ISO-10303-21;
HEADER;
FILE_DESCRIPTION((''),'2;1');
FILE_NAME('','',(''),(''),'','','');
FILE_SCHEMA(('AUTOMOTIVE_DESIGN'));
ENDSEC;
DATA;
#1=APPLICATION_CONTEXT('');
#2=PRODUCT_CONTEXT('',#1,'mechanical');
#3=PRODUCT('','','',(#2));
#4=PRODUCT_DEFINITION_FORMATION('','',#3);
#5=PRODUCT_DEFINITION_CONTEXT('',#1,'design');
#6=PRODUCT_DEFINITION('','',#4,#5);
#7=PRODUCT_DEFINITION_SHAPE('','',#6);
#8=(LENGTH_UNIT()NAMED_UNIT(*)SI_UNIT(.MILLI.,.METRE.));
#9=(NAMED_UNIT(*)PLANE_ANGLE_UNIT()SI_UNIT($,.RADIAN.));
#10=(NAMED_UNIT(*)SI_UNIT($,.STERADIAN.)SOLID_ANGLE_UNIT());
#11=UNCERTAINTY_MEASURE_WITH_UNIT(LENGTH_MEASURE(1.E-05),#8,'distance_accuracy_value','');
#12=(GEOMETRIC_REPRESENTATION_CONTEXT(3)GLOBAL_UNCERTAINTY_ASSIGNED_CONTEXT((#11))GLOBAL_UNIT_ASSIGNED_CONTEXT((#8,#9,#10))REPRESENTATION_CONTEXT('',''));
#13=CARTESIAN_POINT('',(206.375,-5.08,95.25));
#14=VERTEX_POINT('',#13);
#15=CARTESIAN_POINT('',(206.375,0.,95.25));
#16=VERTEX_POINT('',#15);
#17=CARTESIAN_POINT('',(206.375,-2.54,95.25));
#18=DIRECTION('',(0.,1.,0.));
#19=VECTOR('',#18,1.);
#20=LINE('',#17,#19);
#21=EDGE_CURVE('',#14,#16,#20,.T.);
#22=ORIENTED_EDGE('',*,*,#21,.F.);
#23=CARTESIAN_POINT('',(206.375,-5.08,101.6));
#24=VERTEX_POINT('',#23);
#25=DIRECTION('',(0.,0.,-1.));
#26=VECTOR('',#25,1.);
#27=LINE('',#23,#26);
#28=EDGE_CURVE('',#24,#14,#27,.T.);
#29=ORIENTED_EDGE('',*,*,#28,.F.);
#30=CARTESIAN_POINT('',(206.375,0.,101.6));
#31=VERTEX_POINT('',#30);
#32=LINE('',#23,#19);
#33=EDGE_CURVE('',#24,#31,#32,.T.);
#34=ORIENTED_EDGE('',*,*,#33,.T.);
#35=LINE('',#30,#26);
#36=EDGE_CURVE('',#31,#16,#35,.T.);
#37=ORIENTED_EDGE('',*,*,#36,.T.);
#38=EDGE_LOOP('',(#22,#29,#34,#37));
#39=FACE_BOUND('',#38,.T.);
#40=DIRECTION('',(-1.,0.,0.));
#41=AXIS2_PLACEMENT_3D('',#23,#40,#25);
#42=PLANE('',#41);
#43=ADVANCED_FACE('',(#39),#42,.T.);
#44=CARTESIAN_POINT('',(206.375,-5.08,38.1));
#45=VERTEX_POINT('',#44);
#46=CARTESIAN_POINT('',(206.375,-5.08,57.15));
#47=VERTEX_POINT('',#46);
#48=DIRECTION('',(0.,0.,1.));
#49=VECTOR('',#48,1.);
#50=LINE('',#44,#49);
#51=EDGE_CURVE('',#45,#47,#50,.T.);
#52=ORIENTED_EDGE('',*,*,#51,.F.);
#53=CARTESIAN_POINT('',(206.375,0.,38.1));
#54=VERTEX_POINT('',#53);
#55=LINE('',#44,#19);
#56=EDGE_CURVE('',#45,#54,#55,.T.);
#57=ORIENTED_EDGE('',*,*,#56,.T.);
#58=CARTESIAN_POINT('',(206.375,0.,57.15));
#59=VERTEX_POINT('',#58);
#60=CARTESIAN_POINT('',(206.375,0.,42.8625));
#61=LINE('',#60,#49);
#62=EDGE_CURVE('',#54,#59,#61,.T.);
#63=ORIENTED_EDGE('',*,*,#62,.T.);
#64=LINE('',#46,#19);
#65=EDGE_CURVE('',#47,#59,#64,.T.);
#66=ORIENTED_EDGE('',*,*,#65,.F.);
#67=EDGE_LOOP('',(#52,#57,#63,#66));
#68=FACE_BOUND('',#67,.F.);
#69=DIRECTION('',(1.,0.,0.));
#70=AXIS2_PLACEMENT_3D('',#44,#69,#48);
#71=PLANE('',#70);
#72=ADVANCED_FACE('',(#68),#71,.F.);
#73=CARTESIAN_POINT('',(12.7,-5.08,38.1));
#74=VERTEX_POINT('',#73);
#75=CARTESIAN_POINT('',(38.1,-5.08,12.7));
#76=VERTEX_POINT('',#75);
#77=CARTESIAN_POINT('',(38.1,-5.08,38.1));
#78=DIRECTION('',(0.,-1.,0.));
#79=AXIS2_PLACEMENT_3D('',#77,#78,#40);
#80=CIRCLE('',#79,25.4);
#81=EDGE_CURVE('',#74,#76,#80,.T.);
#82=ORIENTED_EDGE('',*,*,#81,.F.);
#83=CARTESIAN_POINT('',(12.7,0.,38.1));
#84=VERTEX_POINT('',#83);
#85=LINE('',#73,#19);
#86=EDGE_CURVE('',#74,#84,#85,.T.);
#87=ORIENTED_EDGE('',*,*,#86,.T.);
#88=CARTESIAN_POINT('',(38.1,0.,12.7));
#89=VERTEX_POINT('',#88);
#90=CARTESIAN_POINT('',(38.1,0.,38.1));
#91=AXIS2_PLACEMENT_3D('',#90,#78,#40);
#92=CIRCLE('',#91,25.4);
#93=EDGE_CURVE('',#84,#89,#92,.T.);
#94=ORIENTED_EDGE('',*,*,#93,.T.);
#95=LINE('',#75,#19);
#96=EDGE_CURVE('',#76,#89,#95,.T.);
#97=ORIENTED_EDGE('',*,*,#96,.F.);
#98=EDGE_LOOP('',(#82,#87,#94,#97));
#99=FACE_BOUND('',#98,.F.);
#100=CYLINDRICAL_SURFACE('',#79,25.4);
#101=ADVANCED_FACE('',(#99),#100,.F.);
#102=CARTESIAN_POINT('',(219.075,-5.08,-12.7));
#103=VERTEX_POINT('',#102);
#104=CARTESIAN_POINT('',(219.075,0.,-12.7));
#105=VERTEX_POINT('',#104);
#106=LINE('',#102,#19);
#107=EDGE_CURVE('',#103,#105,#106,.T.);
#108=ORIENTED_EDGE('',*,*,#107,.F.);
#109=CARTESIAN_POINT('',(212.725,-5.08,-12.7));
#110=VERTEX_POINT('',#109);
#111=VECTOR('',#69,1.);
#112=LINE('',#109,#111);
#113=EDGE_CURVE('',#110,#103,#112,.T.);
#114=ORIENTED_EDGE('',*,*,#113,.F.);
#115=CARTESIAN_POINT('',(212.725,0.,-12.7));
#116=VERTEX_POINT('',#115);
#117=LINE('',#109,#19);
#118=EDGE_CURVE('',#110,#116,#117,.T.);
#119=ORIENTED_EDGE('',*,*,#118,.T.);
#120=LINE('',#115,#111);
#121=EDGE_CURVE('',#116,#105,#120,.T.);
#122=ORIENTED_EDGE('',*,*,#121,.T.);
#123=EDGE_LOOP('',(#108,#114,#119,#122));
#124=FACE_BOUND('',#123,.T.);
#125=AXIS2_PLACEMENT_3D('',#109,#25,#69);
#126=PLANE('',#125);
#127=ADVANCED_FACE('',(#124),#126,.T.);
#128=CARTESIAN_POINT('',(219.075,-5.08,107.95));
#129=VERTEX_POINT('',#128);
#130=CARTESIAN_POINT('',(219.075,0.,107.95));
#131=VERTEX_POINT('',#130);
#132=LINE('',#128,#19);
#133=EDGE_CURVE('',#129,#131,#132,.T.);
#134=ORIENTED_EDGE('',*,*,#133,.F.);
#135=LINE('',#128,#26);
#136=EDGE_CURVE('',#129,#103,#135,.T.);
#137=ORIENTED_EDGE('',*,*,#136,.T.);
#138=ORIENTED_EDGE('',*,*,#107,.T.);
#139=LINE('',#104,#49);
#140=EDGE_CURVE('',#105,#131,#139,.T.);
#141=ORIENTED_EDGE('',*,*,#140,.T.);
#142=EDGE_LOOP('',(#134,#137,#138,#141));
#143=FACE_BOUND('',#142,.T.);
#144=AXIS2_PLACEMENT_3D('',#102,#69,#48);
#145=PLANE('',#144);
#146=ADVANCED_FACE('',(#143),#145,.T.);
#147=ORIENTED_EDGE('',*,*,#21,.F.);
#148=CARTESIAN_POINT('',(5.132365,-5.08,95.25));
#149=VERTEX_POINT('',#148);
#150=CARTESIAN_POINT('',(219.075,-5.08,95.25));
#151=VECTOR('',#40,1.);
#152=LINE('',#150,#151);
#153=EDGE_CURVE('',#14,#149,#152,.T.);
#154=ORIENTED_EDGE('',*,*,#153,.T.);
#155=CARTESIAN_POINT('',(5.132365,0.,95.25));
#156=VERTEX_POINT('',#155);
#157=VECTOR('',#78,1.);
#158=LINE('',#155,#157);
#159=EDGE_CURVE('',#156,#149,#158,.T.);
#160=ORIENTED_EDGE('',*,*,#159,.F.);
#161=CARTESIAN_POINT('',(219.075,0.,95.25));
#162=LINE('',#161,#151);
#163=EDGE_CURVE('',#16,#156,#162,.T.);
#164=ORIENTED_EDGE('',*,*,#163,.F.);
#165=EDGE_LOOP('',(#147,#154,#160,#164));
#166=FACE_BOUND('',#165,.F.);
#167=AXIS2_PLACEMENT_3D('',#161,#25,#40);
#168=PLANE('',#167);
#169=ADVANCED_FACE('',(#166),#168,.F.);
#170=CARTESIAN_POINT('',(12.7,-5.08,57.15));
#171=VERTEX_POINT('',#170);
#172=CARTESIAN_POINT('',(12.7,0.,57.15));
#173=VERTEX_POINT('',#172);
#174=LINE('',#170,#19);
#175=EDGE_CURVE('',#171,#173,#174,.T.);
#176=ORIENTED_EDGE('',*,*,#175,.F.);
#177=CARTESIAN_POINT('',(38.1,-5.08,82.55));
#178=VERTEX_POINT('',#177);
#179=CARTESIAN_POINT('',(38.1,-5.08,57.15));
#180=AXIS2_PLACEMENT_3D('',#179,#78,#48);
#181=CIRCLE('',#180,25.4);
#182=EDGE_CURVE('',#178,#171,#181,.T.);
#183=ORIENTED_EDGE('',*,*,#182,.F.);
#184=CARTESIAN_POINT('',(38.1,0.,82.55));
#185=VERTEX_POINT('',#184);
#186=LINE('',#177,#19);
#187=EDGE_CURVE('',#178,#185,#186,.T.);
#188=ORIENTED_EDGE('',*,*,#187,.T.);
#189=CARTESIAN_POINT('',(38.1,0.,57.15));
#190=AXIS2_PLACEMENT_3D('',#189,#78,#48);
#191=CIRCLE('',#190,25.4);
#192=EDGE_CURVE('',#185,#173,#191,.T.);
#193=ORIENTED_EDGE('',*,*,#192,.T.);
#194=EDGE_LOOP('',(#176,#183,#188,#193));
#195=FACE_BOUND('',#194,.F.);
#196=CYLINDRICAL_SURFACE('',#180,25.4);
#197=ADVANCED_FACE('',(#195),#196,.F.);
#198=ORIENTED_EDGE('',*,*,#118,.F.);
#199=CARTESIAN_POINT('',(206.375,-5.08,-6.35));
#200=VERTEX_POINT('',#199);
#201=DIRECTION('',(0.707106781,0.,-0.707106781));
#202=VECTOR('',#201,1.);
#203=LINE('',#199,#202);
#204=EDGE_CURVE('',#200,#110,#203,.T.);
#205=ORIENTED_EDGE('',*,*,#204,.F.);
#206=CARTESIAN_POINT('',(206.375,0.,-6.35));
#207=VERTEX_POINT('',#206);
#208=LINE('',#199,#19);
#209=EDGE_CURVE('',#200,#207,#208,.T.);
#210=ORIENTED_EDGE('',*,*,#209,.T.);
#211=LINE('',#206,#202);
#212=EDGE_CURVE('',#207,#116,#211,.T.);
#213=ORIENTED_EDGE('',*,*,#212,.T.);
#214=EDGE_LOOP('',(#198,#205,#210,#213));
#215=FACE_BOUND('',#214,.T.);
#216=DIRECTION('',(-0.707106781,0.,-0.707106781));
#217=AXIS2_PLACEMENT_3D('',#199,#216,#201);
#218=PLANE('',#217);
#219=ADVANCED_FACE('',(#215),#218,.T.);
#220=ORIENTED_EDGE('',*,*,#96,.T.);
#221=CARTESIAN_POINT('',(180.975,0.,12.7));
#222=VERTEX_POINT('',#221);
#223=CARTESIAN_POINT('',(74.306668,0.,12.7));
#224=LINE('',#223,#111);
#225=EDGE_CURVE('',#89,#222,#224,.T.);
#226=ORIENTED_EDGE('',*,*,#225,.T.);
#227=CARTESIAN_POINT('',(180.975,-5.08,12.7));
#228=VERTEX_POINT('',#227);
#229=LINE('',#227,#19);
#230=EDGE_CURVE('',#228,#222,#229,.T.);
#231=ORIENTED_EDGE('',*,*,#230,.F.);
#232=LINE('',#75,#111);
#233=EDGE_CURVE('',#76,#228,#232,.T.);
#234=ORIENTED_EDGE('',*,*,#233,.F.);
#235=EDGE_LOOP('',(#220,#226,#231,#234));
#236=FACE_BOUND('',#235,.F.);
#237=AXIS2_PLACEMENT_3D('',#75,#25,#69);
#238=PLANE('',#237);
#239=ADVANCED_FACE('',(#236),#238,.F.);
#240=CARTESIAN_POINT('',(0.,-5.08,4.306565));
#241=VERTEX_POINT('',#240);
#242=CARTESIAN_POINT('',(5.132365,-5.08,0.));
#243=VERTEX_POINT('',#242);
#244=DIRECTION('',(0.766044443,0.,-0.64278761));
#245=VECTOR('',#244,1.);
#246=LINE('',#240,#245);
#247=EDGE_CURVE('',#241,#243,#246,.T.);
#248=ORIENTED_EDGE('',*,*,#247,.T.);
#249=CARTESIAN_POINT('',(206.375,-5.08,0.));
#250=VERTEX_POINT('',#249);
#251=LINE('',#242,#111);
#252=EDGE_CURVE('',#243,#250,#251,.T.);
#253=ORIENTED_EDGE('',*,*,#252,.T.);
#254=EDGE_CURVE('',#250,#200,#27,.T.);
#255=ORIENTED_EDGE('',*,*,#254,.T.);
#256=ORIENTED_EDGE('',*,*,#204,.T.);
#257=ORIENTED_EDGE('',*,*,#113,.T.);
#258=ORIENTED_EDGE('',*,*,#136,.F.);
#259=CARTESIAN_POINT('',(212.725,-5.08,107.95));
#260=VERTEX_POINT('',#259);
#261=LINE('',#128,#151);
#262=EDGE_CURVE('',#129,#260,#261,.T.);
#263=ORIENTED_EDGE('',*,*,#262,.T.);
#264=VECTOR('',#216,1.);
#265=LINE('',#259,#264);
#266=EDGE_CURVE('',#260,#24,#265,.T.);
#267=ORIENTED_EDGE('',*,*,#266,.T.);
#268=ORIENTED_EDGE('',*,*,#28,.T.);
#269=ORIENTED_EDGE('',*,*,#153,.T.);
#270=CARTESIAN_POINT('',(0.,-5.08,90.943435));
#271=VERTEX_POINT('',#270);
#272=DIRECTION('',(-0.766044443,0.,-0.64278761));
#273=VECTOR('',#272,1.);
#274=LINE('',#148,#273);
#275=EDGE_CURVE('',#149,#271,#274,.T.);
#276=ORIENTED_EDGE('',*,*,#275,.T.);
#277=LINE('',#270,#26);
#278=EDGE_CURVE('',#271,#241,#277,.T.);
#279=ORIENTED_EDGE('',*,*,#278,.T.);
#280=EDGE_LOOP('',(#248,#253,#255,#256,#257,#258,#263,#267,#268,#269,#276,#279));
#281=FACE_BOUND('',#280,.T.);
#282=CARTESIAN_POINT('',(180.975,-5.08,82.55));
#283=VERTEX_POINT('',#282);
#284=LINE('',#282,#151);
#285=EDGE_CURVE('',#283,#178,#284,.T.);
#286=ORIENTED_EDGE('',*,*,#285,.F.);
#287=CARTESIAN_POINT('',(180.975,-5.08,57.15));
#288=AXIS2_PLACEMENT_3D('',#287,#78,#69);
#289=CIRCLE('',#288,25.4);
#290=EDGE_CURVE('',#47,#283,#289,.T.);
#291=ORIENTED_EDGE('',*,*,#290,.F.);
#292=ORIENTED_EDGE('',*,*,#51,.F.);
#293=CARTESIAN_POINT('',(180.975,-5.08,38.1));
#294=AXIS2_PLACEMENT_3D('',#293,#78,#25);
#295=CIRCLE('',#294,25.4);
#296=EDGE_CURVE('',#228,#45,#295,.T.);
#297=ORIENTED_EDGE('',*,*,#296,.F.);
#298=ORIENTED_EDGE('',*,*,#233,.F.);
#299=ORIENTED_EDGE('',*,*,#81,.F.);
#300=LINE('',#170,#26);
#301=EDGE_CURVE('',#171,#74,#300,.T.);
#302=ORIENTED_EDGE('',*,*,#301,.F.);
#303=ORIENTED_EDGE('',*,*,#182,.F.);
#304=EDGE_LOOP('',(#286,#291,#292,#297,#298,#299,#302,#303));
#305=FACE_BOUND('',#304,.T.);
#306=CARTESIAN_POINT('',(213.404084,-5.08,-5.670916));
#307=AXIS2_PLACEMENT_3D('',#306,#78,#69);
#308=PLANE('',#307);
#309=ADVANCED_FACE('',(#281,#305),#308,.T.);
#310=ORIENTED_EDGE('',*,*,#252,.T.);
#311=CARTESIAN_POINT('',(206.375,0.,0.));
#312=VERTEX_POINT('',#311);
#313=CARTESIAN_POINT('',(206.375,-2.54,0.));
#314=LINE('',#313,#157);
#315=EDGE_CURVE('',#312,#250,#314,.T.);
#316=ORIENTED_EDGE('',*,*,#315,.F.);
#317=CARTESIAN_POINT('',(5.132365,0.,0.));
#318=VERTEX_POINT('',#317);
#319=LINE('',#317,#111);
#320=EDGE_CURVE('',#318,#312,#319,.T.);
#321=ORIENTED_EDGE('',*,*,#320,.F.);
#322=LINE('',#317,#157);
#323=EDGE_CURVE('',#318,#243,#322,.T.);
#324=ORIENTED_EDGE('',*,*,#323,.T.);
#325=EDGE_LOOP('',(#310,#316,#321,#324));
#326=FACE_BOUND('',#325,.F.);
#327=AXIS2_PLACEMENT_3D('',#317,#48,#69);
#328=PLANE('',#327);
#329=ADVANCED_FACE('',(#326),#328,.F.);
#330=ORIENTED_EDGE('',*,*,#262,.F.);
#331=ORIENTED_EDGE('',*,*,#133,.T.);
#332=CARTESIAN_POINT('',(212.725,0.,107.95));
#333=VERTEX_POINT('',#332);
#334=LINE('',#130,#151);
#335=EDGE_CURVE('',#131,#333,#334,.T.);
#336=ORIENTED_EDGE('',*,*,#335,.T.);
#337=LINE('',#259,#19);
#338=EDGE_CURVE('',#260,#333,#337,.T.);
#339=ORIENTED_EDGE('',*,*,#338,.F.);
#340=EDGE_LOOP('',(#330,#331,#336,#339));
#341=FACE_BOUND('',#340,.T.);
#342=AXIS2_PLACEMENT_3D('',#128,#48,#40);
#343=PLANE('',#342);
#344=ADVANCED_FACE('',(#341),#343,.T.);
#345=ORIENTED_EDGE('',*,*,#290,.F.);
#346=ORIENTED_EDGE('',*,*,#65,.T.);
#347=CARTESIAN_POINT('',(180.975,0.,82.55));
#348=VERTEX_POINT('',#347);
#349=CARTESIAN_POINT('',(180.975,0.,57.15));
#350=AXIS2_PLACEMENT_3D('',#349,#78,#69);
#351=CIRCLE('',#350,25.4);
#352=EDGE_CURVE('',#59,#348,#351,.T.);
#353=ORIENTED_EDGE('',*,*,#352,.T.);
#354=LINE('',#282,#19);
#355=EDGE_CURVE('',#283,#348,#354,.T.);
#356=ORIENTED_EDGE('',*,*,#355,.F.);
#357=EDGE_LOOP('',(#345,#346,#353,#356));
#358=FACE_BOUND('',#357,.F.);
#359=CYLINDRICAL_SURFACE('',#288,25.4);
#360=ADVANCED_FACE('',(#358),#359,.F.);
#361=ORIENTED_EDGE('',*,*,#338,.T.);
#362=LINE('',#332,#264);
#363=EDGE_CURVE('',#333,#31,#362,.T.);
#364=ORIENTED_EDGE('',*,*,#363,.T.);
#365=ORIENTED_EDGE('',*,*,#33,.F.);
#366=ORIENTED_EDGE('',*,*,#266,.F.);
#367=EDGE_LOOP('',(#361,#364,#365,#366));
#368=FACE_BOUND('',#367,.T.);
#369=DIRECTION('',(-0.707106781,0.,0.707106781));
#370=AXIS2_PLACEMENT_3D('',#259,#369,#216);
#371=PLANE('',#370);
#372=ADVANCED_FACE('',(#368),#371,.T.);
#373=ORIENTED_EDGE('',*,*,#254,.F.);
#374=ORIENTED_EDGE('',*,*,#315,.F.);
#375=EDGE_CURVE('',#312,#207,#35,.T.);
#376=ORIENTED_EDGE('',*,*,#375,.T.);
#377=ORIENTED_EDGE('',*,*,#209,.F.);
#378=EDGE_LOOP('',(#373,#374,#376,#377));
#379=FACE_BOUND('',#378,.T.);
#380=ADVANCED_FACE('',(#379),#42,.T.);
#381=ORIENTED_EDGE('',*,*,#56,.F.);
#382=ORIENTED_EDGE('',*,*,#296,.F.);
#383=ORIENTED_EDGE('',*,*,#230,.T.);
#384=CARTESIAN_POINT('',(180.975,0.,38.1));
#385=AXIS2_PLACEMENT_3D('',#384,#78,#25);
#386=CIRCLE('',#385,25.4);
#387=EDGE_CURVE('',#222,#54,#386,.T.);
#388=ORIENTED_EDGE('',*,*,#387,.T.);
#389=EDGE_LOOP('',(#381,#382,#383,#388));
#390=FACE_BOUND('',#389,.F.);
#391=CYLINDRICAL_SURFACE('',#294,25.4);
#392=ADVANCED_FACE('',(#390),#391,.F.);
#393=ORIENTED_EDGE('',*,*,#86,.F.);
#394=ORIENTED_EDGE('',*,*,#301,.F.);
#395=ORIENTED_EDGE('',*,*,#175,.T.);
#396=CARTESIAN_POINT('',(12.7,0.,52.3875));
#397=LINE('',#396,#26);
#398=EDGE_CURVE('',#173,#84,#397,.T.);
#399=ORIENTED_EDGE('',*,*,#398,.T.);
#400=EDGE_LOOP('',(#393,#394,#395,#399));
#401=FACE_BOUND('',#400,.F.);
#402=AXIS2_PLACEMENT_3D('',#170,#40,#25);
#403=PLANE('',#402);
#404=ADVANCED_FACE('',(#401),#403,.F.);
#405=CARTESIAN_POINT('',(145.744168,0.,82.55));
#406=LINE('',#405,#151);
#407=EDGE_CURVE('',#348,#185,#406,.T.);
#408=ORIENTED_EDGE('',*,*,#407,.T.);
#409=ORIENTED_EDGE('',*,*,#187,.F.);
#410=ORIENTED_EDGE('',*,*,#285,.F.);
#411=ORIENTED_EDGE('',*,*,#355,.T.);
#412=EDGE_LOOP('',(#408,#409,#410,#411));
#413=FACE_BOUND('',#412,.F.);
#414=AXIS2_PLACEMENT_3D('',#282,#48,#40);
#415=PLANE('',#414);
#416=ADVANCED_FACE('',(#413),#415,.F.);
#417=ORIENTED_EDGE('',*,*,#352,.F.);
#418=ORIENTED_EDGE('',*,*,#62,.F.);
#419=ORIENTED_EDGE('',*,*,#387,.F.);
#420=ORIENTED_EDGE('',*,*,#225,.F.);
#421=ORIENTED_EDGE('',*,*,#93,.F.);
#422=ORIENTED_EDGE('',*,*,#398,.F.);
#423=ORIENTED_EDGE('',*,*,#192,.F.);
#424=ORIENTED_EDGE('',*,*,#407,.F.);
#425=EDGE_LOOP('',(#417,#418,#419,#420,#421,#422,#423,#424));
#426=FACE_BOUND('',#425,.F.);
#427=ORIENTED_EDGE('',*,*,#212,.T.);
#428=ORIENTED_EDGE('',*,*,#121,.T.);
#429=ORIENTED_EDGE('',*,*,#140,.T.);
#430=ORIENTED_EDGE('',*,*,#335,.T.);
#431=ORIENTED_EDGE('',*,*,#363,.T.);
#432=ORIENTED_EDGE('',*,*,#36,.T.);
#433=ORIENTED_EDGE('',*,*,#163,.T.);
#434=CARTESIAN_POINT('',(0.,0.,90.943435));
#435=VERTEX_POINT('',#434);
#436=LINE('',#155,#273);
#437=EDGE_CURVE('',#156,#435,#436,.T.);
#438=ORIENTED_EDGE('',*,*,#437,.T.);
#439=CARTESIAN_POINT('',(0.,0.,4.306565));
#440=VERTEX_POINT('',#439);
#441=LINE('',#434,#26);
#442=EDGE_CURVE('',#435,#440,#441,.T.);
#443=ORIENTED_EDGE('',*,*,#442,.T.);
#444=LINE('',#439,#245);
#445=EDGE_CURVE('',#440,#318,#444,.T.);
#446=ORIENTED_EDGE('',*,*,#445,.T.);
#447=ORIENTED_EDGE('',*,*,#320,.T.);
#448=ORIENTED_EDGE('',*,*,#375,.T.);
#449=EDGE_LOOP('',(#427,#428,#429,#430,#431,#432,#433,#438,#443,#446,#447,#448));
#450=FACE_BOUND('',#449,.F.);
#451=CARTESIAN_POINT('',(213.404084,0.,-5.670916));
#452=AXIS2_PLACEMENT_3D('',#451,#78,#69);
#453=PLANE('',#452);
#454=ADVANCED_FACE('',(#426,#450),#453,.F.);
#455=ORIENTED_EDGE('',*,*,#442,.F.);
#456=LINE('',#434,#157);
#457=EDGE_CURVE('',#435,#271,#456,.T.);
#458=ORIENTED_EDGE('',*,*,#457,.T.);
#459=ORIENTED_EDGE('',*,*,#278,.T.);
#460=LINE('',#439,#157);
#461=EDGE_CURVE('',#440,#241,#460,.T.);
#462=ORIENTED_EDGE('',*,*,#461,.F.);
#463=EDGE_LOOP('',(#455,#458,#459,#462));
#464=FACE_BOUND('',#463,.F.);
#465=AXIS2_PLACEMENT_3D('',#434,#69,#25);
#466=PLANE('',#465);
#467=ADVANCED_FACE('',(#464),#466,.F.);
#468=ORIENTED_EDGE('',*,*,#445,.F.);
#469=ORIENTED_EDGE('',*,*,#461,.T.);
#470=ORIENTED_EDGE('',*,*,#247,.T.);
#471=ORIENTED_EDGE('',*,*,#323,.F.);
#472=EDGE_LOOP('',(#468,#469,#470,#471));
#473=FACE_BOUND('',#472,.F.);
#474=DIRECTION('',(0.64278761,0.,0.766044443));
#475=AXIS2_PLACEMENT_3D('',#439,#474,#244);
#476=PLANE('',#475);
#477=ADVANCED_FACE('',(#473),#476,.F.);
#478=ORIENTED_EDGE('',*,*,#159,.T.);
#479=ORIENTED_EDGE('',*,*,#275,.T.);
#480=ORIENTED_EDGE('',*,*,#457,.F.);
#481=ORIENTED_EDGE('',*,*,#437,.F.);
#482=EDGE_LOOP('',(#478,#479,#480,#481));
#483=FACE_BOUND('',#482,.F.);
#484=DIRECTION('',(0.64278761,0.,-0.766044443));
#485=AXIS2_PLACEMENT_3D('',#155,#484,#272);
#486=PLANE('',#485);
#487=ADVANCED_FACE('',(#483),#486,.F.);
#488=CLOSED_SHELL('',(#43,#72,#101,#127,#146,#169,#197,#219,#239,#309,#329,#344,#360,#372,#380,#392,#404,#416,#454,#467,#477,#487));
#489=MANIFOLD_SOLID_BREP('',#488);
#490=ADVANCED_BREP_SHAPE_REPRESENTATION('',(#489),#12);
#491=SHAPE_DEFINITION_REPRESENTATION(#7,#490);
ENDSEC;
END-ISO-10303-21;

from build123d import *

# Parameters (mm, degrees)
F1_DEPTH = 5.08
F3_DEPTH = 5.081
F5_DEPTH = 5.08


with BuildPart() as f1:
    # F0 (on Front) → F1 (new body)
    with BuildSketch(Plane.XZ):
        Polygon((0, 4.306565316), (5.132364687, 0), (219.075, 0), (219.075, 95.25), (5.132364687, 95.25), (0, 90.943434684), align=None)
    extrude(amount=F1_DEPTH)

    # F2 (on face) → F3 (cut, through all)
    with BuildSketch(Plane.XZ.offset(5.08)):
        with BuildLine():
            Line((12.7, 57.15), (12.7, 38.1))
            ThreePointArc((12.7, 38.1), (20.1394877579, 20.1394877579), (38.1, 12.7))
            Line((38.1, 12.7), (180.975, 12.7))
            ThreePointArc((180.975, 12.7), (198.9355122421, 20.1394877579), (206.375, 38.1))
            Line((206.375, 38.1), (206.375, 57.15))
            ThreePointArc((206.375, 57.15), (198.9355122421, 75.1105122421), (180.975, 82.55))
            Line((180.975, 82.55), (38.1, 82.55))
            ThreePointArc((38.1, 82.55), (20.1394877579, 75.1105122421), (12.7, 57.15))
        make_face()
    extrude(amount=-F3_DEPTH, mode=Mode.SUBTRACT)

    # F4 (on face) → F5 (join)
    with BuildSketch(Plane.XZ.offset(5.08)):
        Polygon((212.725, -12.7), (219.075, -12.7), (219.075, 0), (206.375, 0), (206.375, -6.35), align=None)
        Polygon((206.375, 95.25), (219.075, 95.25), (219.075, 107.95), (212.725, 107.95), (206.375, 101.6), align=None)
        Polygon((206.375, 0), (219.075, 0), (219.075, 95.25), (206.375, 95.25), (206.375, 57.15), (206.375, 38.1), align=None)
    extrude(amount=-F5_DEPTH)


solid = f1.part
